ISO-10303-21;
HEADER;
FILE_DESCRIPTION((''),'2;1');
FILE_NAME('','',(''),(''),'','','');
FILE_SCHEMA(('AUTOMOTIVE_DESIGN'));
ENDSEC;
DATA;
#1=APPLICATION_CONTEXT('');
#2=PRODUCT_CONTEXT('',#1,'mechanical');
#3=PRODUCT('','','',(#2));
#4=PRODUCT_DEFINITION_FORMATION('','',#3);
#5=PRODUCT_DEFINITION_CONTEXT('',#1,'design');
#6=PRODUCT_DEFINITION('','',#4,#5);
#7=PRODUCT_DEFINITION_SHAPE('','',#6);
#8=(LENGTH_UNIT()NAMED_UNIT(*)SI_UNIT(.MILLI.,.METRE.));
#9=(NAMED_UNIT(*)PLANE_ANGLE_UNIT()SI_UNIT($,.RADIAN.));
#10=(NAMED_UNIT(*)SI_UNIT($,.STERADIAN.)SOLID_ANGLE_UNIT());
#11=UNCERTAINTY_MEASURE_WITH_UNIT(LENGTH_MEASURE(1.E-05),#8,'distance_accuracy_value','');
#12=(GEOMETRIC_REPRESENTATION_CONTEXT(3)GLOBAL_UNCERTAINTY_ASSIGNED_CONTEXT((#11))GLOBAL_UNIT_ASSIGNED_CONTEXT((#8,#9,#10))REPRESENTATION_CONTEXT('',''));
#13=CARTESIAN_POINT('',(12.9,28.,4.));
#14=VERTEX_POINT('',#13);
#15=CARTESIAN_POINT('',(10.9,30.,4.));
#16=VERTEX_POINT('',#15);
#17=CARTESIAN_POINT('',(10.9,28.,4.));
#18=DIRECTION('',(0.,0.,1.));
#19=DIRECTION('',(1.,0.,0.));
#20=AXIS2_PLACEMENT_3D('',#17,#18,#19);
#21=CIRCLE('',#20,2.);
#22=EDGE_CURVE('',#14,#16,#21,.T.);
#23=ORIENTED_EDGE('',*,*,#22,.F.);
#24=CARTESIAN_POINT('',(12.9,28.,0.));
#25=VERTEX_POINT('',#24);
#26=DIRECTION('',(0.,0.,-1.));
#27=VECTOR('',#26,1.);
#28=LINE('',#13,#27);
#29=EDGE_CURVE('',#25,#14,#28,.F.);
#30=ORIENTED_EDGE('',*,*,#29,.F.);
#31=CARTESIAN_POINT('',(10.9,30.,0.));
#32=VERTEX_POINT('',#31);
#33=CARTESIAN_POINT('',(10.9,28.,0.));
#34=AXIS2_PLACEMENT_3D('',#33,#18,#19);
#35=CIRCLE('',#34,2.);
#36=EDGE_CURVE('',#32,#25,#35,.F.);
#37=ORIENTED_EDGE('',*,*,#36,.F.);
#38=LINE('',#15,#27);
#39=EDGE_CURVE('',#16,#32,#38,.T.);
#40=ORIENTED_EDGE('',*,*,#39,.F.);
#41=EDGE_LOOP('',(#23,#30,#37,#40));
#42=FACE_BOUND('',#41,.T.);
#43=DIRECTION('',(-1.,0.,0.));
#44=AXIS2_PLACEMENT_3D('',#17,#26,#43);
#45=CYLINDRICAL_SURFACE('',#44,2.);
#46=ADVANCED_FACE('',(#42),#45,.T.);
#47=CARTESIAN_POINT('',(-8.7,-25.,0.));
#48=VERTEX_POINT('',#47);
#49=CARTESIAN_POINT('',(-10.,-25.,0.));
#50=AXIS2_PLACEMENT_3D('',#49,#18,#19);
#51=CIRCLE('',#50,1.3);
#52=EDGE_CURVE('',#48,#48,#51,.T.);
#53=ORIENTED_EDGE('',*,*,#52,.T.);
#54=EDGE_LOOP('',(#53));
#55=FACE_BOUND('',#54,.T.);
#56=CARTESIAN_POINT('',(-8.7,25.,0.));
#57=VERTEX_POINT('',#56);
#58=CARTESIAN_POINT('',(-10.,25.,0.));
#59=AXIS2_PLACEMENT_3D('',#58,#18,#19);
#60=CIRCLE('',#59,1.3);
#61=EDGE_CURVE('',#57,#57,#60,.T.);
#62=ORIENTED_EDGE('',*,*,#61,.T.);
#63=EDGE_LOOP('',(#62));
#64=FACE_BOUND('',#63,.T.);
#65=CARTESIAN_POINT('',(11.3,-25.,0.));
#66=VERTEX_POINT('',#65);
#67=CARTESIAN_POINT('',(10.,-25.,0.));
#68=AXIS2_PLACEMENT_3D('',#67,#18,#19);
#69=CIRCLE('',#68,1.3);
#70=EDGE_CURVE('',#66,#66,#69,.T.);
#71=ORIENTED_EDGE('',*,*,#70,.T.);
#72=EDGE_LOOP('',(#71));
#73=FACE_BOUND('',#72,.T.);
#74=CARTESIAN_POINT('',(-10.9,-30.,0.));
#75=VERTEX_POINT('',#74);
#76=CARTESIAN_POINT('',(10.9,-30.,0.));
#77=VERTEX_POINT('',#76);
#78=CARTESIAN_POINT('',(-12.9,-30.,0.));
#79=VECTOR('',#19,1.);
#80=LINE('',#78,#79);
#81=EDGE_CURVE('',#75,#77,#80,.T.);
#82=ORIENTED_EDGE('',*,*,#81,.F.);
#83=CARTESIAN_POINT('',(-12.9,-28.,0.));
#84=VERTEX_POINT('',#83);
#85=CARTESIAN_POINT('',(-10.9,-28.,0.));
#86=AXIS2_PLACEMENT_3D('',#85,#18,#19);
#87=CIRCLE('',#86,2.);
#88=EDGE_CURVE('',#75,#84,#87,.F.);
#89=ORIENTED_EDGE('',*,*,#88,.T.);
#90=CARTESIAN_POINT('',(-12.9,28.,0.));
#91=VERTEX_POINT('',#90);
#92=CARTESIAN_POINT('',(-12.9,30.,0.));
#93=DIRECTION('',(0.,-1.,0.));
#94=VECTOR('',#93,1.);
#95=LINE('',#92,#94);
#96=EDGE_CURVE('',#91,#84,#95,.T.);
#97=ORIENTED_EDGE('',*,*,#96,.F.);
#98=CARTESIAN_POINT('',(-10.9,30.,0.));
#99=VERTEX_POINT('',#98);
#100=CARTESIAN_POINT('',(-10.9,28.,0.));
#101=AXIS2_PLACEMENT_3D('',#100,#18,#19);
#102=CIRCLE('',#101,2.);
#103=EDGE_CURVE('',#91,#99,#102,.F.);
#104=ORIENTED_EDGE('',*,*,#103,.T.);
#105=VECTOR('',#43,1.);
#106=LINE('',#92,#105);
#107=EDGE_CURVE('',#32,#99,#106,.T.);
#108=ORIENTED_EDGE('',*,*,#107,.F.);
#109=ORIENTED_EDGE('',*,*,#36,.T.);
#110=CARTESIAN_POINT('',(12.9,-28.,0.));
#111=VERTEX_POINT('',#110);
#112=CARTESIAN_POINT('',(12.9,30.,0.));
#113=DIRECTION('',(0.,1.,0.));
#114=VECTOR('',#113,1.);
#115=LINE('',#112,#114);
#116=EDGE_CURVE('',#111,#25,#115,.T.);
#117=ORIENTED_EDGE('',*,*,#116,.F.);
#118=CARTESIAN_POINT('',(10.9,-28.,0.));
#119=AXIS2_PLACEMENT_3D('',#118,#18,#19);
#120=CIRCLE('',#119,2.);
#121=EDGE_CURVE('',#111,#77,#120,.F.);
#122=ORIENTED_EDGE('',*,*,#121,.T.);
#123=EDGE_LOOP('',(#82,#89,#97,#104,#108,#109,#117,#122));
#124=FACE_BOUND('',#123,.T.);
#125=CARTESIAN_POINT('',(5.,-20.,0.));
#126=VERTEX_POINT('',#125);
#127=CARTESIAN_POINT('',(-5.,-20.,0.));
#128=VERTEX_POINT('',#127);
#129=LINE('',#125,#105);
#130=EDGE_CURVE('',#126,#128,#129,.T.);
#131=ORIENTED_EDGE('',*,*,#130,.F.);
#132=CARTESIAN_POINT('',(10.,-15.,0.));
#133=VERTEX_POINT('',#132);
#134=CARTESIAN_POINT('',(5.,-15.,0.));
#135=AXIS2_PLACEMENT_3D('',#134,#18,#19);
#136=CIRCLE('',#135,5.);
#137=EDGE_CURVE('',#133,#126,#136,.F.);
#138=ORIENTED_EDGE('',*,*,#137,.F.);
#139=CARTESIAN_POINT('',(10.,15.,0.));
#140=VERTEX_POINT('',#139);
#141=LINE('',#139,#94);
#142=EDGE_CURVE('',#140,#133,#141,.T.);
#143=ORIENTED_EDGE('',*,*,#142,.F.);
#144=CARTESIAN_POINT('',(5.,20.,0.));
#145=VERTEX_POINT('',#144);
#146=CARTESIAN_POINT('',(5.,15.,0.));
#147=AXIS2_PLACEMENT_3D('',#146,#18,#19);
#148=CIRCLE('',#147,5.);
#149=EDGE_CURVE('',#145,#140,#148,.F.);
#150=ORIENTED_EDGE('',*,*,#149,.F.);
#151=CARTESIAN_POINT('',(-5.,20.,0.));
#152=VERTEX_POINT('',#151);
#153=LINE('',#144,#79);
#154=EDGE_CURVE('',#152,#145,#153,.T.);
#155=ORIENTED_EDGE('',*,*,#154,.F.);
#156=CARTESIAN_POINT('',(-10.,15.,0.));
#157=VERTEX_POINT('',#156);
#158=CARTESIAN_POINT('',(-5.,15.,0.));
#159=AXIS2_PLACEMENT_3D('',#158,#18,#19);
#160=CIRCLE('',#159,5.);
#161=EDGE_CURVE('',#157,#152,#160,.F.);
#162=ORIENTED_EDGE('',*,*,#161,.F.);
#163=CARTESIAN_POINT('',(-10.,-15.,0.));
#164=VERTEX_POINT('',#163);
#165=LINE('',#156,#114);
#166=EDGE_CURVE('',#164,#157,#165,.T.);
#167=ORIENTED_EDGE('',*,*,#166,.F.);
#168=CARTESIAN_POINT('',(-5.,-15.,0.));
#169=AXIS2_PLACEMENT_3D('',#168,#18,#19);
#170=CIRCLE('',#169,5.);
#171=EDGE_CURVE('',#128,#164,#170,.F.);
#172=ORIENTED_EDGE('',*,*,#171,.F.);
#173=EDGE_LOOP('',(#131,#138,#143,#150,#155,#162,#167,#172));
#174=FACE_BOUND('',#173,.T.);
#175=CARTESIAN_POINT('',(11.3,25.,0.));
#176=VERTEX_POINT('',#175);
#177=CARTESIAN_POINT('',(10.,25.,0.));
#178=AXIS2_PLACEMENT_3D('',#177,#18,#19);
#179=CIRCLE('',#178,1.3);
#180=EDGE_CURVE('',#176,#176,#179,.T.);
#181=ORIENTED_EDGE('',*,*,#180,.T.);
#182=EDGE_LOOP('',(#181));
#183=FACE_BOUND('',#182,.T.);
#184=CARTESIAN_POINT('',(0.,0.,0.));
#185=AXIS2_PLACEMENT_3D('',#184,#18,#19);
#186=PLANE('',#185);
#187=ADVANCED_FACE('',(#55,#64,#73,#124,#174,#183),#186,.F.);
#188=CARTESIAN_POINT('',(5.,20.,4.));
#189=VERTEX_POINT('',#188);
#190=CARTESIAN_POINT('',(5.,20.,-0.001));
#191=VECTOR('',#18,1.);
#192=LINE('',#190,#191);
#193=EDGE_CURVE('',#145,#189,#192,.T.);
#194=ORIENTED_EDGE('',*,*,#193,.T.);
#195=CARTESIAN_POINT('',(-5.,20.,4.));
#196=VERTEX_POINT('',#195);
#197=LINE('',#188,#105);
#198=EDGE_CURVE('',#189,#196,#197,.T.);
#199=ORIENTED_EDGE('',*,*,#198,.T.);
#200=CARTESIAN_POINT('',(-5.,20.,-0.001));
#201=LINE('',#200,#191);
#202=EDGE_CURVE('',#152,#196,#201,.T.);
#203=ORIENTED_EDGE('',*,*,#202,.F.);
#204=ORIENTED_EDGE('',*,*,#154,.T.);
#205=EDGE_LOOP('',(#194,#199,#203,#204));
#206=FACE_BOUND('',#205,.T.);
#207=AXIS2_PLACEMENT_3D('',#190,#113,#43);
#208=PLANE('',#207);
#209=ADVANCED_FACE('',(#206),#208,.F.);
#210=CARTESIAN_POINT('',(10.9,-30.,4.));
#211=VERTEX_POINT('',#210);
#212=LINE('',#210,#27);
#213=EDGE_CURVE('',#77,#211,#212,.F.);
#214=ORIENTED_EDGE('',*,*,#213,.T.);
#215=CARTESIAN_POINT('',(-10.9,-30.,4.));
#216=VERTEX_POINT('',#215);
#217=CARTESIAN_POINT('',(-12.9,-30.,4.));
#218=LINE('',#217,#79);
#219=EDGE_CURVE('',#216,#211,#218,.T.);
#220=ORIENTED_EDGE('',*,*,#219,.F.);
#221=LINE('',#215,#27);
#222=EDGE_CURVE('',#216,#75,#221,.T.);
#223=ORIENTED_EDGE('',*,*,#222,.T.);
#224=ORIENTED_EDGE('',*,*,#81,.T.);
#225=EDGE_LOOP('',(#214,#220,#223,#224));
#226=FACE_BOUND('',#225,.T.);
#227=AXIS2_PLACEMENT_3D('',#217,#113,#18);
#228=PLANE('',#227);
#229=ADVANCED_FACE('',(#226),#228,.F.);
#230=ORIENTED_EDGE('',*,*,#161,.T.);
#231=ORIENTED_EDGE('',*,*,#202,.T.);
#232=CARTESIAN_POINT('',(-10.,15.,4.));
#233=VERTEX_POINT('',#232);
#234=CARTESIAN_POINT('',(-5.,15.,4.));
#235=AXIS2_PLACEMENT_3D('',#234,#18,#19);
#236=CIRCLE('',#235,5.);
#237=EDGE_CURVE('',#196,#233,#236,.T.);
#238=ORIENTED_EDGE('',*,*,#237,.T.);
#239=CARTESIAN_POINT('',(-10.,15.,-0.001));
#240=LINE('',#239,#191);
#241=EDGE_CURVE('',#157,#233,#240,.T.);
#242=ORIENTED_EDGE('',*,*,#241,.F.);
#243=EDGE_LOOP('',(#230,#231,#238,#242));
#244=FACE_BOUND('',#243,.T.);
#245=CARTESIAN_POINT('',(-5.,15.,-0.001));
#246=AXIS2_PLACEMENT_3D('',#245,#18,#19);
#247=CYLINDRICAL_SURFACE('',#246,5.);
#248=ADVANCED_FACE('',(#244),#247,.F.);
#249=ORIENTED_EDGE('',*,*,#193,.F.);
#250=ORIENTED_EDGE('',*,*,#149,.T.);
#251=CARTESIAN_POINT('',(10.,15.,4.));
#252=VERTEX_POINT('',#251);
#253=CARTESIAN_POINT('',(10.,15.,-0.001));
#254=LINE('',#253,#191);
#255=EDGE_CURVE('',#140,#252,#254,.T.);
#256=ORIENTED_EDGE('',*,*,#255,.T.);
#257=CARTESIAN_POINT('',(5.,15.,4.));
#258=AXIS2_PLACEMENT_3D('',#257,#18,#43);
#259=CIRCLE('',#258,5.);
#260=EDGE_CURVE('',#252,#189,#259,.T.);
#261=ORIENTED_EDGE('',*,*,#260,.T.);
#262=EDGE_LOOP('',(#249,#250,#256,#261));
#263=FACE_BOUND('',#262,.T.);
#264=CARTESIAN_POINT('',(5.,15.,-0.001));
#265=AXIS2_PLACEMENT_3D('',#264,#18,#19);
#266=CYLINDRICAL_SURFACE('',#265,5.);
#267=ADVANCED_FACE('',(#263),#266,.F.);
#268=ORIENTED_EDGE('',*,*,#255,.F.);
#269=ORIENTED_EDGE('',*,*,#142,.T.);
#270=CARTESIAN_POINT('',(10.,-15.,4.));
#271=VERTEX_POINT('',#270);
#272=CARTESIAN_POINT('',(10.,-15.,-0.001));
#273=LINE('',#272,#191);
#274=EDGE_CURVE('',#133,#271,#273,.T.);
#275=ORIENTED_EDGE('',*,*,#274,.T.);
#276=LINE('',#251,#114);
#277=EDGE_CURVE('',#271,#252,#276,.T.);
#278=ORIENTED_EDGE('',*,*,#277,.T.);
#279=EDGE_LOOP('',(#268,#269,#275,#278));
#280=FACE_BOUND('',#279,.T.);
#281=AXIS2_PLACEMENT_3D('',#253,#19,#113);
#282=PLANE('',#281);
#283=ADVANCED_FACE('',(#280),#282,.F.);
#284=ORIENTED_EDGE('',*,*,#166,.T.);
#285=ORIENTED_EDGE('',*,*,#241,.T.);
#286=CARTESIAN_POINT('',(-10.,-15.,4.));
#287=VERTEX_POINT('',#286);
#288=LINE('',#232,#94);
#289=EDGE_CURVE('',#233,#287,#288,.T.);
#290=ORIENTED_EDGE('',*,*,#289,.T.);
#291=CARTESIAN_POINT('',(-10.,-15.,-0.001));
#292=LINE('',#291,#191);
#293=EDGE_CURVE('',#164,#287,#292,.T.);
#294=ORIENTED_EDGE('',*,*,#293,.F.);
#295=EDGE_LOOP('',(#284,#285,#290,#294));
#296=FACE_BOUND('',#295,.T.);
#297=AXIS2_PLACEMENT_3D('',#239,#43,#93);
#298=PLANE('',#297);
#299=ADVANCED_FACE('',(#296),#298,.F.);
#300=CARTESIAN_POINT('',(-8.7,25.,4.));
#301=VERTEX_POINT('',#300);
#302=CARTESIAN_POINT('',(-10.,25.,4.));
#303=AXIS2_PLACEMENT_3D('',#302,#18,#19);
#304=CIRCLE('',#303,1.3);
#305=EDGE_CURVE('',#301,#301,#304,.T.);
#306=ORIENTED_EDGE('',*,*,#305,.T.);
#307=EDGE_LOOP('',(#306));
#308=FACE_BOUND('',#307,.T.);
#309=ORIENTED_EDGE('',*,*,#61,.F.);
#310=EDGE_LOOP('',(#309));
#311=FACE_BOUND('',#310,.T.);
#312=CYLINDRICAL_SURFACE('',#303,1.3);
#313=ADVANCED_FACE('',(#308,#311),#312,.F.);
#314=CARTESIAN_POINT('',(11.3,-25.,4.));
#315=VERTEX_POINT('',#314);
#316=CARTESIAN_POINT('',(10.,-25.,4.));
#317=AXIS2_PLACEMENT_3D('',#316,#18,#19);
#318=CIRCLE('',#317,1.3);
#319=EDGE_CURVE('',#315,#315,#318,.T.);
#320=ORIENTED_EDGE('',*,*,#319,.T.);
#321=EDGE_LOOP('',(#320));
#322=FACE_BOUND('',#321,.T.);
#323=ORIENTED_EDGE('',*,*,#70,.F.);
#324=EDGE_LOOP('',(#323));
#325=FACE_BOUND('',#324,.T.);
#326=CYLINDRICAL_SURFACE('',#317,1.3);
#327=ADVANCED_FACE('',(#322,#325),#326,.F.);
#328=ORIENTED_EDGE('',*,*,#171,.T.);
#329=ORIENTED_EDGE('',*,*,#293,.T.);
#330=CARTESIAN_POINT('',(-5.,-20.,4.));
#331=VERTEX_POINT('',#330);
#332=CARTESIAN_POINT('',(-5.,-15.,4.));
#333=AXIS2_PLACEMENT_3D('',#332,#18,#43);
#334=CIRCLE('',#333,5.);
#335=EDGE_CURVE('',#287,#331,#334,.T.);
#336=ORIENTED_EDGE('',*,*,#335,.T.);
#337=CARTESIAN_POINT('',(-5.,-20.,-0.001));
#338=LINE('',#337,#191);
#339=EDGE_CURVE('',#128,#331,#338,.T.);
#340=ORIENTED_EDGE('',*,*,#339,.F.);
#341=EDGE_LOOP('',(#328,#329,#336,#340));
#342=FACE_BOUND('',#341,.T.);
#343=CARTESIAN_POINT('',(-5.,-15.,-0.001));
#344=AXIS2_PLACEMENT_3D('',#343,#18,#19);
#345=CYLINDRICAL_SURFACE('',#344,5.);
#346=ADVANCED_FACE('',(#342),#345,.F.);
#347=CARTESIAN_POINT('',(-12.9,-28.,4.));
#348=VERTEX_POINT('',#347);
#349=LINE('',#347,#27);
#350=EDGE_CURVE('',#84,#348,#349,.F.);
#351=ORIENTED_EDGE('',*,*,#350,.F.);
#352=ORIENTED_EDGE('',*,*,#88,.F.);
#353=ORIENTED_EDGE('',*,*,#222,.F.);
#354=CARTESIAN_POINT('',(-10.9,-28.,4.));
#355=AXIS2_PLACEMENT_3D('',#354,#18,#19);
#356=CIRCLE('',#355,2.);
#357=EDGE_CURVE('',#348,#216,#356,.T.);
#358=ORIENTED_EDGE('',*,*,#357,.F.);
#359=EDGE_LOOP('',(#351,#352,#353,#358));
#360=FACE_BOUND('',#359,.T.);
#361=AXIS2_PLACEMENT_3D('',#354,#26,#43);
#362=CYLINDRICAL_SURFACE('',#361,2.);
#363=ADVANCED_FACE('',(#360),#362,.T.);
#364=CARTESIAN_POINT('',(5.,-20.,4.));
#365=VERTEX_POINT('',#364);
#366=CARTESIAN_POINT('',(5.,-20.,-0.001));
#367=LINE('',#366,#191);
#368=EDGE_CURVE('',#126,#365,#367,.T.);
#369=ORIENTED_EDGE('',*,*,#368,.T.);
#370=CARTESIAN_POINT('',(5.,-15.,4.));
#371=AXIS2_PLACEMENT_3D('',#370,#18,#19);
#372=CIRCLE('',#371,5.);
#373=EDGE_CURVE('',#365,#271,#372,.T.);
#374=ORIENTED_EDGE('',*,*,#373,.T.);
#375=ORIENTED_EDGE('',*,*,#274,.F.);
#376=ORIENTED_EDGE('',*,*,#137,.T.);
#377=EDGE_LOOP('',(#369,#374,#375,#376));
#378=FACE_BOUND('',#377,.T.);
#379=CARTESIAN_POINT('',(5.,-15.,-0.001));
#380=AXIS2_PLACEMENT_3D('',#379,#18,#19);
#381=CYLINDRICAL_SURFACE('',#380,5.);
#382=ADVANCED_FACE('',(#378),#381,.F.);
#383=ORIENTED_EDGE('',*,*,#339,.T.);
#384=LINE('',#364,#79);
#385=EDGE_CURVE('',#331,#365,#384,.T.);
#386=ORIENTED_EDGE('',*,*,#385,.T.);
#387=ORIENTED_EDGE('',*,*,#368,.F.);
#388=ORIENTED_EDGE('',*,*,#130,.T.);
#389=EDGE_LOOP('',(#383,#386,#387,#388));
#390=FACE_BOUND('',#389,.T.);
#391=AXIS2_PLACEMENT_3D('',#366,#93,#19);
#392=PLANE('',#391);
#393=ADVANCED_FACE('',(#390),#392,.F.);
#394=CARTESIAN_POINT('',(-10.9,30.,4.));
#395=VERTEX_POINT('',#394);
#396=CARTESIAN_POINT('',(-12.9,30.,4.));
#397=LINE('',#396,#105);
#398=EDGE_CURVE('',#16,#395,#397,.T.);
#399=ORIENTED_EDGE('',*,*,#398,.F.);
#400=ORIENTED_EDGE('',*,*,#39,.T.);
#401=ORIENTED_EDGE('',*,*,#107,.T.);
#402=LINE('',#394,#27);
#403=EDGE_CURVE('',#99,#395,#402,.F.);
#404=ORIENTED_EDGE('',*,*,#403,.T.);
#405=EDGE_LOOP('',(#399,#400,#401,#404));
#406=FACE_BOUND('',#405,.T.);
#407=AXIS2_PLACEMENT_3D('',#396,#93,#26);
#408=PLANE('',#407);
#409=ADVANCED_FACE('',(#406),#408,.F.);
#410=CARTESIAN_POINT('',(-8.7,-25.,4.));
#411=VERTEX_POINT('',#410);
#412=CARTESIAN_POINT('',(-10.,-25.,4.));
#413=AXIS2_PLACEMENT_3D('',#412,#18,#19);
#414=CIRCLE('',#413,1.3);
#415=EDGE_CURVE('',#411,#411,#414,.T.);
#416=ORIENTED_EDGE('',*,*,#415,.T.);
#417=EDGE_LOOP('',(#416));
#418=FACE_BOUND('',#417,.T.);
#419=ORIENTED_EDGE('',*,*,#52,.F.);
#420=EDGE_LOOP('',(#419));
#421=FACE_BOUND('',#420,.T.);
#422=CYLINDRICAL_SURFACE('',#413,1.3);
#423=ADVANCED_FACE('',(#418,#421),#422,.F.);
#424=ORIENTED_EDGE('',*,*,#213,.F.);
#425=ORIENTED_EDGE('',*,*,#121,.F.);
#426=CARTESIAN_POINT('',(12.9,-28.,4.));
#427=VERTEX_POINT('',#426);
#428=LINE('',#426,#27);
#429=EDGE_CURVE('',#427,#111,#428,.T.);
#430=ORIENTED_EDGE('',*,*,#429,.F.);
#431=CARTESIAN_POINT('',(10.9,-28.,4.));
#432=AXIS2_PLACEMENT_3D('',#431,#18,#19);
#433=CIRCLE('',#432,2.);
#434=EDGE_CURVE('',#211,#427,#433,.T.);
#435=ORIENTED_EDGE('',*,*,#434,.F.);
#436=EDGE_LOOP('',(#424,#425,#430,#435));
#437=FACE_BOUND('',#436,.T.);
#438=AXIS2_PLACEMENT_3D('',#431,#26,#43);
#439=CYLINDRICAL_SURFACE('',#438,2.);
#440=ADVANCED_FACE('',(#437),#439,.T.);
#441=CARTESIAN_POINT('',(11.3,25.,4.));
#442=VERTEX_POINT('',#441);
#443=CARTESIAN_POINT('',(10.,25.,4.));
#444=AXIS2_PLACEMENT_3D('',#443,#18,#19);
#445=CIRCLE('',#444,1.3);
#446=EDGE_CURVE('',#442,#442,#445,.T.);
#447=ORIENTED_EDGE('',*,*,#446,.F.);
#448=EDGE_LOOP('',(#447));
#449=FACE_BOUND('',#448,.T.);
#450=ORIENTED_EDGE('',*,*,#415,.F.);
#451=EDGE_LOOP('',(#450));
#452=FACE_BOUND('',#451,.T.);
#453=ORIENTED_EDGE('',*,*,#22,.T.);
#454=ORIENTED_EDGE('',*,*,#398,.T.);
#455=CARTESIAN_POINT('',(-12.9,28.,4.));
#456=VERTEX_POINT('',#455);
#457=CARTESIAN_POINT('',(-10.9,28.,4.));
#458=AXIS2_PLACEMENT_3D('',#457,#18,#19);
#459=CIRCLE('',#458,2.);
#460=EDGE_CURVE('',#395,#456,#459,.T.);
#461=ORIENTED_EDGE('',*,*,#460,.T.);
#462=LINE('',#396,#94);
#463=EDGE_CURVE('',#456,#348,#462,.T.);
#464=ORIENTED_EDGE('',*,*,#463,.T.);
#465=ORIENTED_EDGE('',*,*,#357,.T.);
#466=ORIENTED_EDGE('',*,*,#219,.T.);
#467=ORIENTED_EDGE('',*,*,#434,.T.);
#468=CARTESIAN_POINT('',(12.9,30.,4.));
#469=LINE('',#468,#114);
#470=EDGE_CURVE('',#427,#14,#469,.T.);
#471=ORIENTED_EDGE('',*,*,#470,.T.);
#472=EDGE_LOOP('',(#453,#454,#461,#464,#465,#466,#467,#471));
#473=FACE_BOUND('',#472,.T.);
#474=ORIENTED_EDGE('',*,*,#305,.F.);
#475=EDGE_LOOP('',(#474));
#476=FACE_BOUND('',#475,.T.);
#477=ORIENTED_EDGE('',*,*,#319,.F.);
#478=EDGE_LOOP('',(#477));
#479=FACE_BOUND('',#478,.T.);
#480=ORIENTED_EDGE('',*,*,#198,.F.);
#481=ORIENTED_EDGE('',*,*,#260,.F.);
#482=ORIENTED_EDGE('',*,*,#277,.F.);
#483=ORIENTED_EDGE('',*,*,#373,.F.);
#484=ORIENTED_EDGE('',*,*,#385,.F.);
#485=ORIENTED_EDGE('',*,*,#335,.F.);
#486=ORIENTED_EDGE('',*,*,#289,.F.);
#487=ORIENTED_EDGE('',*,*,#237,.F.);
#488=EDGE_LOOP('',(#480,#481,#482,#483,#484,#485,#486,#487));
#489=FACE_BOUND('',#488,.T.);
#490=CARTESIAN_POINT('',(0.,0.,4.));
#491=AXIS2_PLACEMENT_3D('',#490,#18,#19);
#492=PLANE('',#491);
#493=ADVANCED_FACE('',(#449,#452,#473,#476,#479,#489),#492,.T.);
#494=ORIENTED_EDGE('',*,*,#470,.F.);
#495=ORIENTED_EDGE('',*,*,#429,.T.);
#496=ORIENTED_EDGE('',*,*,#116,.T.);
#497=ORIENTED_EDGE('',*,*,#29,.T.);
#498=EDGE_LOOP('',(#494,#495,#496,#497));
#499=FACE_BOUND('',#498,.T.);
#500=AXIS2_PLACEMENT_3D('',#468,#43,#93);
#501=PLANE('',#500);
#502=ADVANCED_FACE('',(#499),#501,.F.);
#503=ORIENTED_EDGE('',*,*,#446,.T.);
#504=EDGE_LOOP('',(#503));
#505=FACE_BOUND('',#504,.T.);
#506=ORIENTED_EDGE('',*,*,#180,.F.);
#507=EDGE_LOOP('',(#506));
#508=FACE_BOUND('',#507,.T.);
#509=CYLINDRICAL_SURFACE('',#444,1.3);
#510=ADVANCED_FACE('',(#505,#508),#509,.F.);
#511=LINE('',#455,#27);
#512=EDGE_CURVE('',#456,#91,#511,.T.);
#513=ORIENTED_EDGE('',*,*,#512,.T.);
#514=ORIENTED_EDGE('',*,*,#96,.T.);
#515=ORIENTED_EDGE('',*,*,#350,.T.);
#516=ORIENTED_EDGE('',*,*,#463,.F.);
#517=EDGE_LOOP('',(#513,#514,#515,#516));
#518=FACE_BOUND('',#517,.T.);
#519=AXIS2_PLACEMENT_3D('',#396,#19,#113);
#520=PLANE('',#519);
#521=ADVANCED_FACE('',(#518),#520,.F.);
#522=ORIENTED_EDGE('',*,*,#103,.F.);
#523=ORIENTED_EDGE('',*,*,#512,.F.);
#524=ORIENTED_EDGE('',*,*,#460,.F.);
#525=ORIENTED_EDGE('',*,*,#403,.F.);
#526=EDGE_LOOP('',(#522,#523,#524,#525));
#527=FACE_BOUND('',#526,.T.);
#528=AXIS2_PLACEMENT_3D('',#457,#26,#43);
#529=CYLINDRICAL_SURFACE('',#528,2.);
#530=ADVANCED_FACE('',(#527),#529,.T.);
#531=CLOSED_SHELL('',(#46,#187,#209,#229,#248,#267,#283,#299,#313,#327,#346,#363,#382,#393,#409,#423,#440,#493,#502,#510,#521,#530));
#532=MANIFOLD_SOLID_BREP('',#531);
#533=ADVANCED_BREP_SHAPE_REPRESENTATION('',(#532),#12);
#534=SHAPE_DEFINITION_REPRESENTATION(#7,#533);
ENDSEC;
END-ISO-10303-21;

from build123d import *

# Parameters (mm, degrees)
SZKIC1_W                    = 25.8
SZKIC1_H                    = 60
DODANIE_WYCI_GNI_CIE1_DEPTH = 4
OTW_R_POD_RUB_M21_D         = 2.6
ZAOKR_GLENIE1_R             = 2
WYTNIJ_WYCI_GNI_CIE1_REACH  = 6


with BuildPart() as part:
    # Szkic1 → Dodanie-wyciągnięcie1 (new body)
    with BuildSketch(Plane.XY):
        Rectangle(SZKIC1_W, SZKIC1_H)
    extrude(amount=DODANIE_WYCI_GNI_CIE1_DEPTH)

    # Otwór pod śrubę M21 (through all)
    with Locations(Plane.XY.offset(4)):
        with Locations((-10, 25), (10, 25), (10, -25), (-10, -25)):
            Hole(OTW_R_POD_RUB_M21_D / 2)

    # Zaokrąglenie1
    zaokr_glenie1_edges = [part.edges().sort_by_distance(p)[0] for p in [
        (12.9, -30, 2),
        (-12.9, -30, 2),
        (-12.9, 30, 2),
        (12.9, 30, 2),
    ]]
    fillet(zaokr_glenie1_edges, radius=ZAOKR_GLENIE1_R)

    # Szkic5 → Wytnij-wyciągnięcie1 (cut, up to next)
    with BuildSketch(Plane.XY.offset(4), mode=Mode.PRIVATE) as wytnij_wyci_gni_cie1_sk1:
        with BuildLine():
            Line((5, 20), (-5, 20))
            ThreePointArc((-5, 20), (-8.535533906, 18.535533906), (-10, 15))
            Line((-10, 15), (-10, -15))
            ThreePointArc((-10, -15), (-8.535533906, -18.535533906), (-5, -20))
            Line((-5, -20), (5, -20))
            ThreePointArc((5, -20), (8.535533906, -18.535533906), (10, -15))
            Line((10, -15), (10, 15))
            ThreePointArc((10, 15), (8.535533906, 18.535533906), (5, 20))
        make_face()
    wytnij_wyci_gni_cie1_tool1 = extrude(wytnij_wyci_gni_cie1_sk1.sketch, amount=-WYTNIJ_WYCI_GNI_CIE1_REACH, mode=Mode.PRIVATE) & part.part
    add(wytnij_wyci_gni_cie1_tool1.solids().sort_by_distance((0, 0, 4))[0], mode=Mode.SUBTRACT)


solid = part.part
